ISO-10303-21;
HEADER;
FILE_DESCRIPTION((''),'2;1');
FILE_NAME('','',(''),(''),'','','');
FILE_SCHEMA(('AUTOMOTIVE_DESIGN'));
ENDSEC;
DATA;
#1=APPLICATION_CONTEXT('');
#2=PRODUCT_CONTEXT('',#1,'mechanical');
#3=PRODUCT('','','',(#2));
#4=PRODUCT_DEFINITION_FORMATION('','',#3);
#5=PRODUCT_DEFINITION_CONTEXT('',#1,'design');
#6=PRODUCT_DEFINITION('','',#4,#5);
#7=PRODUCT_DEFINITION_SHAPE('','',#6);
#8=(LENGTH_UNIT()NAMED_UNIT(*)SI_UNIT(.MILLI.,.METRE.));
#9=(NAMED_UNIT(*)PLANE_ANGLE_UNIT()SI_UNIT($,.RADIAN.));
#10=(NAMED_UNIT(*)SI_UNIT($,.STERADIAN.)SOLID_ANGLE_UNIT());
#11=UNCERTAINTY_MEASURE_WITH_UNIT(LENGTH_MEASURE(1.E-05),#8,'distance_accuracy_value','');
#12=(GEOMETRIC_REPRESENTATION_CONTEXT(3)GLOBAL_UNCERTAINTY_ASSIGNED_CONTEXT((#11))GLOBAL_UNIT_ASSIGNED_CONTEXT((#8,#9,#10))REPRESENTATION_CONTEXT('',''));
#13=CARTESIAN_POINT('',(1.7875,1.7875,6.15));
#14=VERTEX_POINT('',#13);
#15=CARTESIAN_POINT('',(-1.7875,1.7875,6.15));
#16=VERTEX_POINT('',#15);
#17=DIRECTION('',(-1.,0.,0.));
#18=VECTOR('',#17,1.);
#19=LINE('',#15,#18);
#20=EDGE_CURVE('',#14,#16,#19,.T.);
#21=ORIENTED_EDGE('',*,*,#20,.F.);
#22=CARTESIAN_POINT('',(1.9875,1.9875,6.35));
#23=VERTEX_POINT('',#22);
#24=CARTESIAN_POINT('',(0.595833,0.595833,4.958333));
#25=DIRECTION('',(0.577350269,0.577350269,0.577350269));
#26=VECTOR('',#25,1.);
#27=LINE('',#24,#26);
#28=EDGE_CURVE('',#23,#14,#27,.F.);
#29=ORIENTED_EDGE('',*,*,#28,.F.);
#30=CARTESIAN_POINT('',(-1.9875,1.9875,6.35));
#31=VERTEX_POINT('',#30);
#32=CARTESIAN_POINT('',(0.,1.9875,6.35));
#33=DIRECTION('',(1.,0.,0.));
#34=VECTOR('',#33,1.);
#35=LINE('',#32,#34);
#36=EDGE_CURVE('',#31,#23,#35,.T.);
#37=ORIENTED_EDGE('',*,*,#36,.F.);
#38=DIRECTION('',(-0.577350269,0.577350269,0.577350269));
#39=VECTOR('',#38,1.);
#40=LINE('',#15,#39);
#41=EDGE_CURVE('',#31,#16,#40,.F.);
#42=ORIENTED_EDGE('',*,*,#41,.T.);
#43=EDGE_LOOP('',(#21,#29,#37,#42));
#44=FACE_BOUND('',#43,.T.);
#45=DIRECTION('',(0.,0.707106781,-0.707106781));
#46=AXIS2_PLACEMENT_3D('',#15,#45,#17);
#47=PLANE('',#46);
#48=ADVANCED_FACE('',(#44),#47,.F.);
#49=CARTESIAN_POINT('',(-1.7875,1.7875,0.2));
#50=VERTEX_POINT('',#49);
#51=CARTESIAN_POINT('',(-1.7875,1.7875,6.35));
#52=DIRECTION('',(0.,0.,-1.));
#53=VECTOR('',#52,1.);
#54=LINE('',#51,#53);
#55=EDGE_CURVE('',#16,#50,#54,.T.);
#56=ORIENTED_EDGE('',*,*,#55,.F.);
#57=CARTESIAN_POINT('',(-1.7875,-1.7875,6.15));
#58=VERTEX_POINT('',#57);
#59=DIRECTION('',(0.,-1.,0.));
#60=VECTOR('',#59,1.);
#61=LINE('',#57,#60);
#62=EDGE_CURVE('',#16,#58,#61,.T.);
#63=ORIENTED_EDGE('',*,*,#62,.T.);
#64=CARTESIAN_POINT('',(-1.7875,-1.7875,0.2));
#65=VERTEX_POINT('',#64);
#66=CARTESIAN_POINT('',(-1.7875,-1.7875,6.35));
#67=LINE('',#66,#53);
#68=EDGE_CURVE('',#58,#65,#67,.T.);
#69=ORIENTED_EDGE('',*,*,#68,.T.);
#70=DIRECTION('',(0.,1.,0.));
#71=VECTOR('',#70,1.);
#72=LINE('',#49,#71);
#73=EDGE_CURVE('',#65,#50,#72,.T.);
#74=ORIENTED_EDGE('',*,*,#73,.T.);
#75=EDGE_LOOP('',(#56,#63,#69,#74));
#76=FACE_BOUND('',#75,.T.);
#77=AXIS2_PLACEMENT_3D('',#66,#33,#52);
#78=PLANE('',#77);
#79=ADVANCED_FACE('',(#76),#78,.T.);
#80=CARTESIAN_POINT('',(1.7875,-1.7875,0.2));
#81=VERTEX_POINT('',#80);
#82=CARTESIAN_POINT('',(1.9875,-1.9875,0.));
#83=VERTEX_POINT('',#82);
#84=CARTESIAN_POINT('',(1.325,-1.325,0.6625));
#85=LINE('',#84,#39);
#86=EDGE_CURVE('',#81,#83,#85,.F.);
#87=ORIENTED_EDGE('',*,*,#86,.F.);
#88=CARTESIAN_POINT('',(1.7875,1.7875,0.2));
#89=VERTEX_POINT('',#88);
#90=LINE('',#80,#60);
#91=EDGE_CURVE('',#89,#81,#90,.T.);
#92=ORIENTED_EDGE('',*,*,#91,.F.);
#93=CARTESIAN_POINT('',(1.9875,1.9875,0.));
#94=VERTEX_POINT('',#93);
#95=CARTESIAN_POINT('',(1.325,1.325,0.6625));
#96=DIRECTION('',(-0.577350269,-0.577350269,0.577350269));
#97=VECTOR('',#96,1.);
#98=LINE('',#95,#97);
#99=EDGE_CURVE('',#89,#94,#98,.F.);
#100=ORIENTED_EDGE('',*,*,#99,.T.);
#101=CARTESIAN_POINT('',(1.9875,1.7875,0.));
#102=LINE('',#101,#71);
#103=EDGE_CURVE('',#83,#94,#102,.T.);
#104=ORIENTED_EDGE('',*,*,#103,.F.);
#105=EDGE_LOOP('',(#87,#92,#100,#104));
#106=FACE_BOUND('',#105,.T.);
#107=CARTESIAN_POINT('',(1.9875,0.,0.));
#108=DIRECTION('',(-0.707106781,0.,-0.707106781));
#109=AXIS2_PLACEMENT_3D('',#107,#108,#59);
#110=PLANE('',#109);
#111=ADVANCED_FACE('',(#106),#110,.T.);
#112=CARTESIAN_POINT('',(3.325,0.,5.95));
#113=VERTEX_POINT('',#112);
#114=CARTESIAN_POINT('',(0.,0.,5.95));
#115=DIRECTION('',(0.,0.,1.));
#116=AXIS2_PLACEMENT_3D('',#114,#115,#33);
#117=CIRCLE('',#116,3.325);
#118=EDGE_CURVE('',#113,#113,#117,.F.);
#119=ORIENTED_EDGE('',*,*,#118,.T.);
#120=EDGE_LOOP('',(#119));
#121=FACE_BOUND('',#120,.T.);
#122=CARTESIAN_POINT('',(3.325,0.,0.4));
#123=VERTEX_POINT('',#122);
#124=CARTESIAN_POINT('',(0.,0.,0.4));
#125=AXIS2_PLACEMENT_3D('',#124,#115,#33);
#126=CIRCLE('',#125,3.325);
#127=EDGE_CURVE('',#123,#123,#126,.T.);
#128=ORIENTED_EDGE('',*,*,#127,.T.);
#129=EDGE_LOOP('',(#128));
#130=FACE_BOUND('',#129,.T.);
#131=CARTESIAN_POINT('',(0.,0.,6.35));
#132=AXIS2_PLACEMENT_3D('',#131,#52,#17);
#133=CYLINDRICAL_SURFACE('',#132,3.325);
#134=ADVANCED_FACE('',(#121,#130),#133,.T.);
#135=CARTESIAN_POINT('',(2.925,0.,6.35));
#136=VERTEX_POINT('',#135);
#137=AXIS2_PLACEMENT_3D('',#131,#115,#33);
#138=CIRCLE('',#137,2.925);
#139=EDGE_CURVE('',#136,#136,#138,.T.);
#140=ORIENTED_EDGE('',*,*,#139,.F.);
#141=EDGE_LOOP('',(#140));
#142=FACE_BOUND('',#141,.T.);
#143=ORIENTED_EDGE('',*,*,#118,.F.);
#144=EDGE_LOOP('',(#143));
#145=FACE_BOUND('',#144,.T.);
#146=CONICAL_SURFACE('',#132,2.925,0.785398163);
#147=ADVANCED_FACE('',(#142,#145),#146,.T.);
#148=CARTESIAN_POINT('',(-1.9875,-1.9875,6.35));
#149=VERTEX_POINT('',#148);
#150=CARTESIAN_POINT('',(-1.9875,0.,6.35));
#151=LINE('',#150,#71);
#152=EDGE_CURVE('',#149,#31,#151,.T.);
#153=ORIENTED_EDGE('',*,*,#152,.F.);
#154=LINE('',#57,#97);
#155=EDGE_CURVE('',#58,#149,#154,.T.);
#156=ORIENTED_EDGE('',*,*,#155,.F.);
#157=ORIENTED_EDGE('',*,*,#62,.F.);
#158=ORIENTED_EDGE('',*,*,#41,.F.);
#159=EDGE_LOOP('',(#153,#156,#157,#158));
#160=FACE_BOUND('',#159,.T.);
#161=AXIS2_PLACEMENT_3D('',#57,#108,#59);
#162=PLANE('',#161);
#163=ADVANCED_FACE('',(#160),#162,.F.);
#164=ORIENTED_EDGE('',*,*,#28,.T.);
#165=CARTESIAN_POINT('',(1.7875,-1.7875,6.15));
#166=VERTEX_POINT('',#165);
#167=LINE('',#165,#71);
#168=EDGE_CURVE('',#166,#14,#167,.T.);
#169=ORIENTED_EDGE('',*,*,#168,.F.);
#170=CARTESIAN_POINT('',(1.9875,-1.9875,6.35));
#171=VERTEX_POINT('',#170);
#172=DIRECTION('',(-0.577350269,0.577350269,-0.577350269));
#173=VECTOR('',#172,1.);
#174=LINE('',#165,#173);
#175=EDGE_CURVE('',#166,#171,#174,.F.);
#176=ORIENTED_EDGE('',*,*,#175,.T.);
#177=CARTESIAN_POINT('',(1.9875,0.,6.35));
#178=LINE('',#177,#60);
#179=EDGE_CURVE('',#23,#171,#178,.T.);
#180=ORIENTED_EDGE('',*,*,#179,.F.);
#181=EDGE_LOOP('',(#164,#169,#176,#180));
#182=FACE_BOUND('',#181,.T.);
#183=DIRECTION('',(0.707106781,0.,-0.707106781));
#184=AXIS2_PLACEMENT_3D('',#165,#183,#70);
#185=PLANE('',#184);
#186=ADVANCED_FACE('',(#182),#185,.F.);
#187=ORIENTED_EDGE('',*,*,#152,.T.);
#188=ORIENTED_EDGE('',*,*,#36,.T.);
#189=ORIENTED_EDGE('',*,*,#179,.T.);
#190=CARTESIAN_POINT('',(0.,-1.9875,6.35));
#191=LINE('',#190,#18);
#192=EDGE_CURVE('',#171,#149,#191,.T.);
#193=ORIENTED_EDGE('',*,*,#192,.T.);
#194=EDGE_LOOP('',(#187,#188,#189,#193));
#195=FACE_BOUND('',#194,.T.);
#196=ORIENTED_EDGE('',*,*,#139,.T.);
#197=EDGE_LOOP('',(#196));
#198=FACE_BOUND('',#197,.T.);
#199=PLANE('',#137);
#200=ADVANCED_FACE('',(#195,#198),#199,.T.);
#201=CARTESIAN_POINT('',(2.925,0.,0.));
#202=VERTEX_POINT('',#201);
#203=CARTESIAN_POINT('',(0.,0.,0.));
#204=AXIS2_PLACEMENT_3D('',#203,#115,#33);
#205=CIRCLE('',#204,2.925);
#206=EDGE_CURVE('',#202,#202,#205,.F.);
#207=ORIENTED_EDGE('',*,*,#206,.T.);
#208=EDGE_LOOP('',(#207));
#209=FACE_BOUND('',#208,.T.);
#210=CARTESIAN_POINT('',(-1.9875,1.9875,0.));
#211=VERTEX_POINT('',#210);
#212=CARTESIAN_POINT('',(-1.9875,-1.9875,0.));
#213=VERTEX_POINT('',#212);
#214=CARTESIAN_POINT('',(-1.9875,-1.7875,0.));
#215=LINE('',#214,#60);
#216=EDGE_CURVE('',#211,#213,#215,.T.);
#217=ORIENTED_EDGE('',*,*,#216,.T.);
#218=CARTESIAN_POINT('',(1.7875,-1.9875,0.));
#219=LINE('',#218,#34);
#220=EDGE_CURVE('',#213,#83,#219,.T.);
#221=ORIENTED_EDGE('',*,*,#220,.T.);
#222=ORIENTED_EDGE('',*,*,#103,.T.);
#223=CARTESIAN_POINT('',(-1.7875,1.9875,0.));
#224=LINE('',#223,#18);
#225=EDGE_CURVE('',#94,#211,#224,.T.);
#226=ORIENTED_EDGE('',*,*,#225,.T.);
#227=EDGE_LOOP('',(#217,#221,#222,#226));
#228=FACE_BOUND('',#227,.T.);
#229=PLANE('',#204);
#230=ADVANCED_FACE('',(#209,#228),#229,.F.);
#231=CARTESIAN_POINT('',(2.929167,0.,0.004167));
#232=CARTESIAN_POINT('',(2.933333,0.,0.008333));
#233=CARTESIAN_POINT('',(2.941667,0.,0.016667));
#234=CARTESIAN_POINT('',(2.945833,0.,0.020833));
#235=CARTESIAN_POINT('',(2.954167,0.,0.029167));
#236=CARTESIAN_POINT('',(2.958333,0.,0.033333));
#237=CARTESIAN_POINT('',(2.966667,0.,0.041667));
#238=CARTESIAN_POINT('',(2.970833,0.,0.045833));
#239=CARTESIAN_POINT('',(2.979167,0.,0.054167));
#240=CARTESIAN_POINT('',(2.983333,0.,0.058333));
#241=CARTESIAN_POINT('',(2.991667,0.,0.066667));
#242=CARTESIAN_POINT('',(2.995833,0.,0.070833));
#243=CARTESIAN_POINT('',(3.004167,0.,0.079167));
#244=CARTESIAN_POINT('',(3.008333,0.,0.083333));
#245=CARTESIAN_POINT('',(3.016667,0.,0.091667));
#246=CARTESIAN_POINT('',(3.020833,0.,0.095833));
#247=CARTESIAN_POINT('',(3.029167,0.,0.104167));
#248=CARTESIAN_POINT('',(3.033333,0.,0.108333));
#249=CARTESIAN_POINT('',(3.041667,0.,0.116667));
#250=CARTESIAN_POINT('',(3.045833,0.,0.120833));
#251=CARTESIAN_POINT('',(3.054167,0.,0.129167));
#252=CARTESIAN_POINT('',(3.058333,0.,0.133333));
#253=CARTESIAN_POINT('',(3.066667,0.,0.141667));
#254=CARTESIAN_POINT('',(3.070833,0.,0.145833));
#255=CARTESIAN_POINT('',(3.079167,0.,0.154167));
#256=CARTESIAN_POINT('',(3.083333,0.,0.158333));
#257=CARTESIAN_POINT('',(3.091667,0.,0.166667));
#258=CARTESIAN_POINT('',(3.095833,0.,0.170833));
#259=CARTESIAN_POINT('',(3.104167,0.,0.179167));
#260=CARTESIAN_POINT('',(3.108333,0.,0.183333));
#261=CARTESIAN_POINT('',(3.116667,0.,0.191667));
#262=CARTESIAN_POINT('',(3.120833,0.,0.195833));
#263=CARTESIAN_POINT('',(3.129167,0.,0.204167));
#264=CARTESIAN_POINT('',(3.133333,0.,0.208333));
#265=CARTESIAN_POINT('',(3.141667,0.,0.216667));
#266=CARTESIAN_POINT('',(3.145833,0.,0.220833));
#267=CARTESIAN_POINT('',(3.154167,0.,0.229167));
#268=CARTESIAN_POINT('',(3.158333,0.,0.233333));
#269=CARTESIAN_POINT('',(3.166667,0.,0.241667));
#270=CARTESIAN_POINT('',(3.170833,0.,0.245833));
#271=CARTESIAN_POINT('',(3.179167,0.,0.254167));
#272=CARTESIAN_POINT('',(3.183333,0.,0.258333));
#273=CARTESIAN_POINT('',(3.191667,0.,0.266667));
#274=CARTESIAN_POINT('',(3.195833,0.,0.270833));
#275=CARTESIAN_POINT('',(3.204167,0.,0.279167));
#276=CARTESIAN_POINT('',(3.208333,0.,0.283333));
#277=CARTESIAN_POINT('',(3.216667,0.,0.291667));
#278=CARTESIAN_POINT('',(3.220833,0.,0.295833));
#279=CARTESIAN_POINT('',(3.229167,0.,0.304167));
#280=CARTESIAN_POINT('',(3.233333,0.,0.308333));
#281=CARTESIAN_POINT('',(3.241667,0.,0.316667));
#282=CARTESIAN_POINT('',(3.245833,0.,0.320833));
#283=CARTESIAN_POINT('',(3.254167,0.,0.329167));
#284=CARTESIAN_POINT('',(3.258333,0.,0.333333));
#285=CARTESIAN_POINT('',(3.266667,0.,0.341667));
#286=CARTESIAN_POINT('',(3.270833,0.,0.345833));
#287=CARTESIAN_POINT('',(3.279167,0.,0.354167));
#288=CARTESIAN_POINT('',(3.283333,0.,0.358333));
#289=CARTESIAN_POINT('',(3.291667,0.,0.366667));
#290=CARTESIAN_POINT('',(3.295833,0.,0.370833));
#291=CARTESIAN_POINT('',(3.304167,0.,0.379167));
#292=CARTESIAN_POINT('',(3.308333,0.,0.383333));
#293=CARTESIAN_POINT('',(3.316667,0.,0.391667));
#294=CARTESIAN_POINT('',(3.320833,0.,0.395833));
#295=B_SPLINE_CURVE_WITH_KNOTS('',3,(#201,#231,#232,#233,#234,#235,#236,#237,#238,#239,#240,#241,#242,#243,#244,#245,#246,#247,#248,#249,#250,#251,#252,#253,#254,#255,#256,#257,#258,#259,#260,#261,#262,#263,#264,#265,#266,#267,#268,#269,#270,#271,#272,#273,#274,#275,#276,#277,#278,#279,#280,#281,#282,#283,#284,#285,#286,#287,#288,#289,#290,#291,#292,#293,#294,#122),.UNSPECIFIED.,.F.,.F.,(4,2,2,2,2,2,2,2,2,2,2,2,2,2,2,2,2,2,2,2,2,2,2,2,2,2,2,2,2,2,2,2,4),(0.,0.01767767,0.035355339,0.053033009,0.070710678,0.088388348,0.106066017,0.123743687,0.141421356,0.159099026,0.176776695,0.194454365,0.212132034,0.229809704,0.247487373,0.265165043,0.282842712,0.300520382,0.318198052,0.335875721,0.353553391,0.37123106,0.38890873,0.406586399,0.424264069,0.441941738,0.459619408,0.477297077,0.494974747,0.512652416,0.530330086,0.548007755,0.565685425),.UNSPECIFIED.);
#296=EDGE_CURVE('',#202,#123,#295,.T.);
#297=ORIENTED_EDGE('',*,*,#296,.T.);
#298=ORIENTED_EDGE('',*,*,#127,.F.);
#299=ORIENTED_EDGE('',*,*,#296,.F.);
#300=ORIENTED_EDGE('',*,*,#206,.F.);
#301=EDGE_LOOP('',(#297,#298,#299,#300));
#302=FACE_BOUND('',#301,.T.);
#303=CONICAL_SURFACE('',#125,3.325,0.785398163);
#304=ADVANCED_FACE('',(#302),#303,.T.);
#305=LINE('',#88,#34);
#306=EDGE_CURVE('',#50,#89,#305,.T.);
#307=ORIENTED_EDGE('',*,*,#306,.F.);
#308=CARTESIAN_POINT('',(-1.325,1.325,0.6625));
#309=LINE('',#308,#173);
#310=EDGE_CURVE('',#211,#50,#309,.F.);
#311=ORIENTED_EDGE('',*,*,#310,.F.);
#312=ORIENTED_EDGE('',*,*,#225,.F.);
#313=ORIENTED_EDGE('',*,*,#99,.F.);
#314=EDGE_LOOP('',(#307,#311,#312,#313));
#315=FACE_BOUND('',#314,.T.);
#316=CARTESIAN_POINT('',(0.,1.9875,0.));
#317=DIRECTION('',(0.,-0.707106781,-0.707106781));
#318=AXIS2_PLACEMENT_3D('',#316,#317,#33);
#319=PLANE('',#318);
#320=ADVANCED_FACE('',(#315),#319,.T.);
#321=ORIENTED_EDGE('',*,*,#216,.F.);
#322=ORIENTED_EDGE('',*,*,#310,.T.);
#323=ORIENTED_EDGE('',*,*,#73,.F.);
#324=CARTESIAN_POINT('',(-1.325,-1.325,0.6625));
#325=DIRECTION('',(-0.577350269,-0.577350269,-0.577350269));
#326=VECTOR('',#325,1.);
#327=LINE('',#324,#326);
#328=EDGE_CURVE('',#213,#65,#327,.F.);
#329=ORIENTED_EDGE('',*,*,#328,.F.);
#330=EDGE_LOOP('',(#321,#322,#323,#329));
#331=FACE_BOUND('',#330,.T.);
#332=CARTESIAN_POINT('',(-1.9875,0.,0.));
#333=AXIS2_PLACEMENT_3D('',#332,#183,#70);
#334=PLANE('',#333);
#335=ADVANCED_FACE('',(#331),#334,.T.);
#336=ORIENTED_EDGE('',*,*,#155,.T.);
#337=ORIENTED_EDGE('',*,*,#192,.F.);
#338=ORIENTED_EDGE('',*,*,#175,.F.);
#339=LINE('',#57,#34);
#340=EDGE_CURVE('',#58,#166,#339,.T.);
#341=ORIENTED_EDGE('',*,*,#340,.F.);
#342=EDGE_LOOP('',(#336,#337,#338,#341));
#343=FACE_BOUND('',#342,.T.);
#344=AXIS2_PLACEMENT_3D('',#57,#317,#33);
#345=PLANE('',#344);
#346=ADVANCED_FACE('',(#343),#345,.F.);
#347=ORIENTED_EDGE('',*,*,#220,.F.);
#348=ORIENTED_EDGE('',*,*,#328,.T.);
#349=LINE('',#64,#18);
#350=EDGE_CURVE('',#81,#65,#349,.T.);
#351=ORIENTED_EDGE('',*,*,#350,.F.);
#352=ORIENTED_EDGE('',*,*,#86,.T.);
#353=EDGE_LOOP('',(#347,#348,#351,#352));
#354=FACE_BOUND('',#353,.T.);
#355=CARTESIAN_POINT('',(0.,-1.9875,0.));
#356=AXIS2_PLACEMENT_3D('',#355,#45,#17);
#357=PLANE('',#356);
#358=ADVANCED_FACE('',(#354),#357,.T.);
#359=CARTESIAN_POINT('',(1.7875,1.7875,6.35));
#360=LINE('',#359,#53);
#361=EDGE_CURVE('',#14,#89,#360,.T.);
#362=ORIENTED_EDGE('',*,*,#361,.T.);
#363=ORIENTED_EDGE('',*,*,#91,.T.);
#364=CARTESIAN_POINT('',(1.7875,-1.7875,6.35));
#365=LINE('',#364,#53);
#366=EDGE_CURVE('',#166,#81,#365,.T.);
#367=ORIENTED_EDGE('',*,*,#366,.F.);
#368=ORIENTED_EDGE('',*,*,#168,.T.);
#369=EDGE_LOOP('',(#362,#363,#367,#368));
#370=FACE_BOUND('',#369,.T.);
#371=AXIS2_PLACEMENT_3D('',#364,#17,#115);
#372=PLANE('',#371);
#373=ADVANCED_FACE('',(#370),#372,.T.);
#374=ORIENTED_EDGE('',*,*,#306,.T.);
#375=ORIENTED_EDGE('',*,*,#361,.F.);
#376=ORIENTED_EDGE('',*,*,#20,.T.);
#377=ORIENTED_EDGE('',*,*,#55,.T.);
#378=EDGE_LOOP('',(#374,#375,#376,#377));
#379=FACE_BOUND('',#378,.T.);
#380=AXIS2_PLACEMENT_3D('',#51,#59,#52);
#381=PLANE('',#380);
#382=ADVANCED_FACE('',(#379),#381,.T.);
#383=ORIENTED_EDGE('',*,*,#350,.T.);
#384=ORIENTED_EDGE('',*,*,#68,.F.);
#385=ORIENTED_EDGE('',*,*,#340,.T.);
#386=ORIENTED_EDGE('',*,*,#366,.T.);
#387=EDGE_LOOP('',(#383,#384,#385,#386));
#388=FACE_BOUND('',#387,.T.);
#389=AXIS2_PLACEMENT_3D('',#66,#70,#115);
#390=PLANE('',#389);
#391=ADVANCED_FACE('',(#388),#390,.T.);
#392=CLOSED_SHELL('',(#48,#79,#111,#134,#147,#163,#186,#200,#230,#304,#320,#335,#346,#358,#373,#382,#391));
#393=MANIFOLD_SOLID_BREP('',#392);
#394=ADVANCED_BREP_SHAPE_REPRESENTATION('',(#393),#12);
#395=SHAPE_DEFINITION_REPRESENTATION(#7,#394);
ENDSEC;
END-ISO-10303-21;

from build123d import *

# Parameters (mm, degrees)
SKETCH1_R           = 3.325
SKETCH1_W           = 3.575
SKETCH1_H           = 3.575
BOSS_EXTRUDE1_DEPTH = 6.35
CHAMFER1_SIZE       = 0.4
CHAMFER2_SIZE       = 0.2


with BuildPart() as part:
    # Sketch1 → Boss-Extrude1 (new body)
    with BuildSketch(Plane.XY):
        Circle(SKETCH1_R)
        Rectangle(SKETCH1_W, SKETCH1_H, mode=Mode.SUBTRACT)
    extrude(amount=BOSS_EXTRUDE1_DEPTH)

    # Chamfer1
    chamfer1_edges = [part.edges().sort_by_distance(p)[0] for p in [
        (-3.325, 0, 0),
        (-3.325, 0, 6.35),
    ]]
    chamfer(chamfer1_edges, length=CHAMFER1_SIZE)

    # Chamfer2
    chamfer2_edges = [part.edges().sort_by_distance(p)[0] for p in [
        (0, -1.7875, 6.35),
        (1.7875, 0, 0),
        (0, 1.7875, 0),
        (-1.7875, 0, 0),
        (0, -1.7875, 0),
        (1.7875, 0, 6.35),
        (0, 1.7875, 6.35),
        (-1.7875, 0, 6.35),
    ]]
    chamfer(chamfer2_edges, length=CHAMFER2_SIZE)


solid = part.part
